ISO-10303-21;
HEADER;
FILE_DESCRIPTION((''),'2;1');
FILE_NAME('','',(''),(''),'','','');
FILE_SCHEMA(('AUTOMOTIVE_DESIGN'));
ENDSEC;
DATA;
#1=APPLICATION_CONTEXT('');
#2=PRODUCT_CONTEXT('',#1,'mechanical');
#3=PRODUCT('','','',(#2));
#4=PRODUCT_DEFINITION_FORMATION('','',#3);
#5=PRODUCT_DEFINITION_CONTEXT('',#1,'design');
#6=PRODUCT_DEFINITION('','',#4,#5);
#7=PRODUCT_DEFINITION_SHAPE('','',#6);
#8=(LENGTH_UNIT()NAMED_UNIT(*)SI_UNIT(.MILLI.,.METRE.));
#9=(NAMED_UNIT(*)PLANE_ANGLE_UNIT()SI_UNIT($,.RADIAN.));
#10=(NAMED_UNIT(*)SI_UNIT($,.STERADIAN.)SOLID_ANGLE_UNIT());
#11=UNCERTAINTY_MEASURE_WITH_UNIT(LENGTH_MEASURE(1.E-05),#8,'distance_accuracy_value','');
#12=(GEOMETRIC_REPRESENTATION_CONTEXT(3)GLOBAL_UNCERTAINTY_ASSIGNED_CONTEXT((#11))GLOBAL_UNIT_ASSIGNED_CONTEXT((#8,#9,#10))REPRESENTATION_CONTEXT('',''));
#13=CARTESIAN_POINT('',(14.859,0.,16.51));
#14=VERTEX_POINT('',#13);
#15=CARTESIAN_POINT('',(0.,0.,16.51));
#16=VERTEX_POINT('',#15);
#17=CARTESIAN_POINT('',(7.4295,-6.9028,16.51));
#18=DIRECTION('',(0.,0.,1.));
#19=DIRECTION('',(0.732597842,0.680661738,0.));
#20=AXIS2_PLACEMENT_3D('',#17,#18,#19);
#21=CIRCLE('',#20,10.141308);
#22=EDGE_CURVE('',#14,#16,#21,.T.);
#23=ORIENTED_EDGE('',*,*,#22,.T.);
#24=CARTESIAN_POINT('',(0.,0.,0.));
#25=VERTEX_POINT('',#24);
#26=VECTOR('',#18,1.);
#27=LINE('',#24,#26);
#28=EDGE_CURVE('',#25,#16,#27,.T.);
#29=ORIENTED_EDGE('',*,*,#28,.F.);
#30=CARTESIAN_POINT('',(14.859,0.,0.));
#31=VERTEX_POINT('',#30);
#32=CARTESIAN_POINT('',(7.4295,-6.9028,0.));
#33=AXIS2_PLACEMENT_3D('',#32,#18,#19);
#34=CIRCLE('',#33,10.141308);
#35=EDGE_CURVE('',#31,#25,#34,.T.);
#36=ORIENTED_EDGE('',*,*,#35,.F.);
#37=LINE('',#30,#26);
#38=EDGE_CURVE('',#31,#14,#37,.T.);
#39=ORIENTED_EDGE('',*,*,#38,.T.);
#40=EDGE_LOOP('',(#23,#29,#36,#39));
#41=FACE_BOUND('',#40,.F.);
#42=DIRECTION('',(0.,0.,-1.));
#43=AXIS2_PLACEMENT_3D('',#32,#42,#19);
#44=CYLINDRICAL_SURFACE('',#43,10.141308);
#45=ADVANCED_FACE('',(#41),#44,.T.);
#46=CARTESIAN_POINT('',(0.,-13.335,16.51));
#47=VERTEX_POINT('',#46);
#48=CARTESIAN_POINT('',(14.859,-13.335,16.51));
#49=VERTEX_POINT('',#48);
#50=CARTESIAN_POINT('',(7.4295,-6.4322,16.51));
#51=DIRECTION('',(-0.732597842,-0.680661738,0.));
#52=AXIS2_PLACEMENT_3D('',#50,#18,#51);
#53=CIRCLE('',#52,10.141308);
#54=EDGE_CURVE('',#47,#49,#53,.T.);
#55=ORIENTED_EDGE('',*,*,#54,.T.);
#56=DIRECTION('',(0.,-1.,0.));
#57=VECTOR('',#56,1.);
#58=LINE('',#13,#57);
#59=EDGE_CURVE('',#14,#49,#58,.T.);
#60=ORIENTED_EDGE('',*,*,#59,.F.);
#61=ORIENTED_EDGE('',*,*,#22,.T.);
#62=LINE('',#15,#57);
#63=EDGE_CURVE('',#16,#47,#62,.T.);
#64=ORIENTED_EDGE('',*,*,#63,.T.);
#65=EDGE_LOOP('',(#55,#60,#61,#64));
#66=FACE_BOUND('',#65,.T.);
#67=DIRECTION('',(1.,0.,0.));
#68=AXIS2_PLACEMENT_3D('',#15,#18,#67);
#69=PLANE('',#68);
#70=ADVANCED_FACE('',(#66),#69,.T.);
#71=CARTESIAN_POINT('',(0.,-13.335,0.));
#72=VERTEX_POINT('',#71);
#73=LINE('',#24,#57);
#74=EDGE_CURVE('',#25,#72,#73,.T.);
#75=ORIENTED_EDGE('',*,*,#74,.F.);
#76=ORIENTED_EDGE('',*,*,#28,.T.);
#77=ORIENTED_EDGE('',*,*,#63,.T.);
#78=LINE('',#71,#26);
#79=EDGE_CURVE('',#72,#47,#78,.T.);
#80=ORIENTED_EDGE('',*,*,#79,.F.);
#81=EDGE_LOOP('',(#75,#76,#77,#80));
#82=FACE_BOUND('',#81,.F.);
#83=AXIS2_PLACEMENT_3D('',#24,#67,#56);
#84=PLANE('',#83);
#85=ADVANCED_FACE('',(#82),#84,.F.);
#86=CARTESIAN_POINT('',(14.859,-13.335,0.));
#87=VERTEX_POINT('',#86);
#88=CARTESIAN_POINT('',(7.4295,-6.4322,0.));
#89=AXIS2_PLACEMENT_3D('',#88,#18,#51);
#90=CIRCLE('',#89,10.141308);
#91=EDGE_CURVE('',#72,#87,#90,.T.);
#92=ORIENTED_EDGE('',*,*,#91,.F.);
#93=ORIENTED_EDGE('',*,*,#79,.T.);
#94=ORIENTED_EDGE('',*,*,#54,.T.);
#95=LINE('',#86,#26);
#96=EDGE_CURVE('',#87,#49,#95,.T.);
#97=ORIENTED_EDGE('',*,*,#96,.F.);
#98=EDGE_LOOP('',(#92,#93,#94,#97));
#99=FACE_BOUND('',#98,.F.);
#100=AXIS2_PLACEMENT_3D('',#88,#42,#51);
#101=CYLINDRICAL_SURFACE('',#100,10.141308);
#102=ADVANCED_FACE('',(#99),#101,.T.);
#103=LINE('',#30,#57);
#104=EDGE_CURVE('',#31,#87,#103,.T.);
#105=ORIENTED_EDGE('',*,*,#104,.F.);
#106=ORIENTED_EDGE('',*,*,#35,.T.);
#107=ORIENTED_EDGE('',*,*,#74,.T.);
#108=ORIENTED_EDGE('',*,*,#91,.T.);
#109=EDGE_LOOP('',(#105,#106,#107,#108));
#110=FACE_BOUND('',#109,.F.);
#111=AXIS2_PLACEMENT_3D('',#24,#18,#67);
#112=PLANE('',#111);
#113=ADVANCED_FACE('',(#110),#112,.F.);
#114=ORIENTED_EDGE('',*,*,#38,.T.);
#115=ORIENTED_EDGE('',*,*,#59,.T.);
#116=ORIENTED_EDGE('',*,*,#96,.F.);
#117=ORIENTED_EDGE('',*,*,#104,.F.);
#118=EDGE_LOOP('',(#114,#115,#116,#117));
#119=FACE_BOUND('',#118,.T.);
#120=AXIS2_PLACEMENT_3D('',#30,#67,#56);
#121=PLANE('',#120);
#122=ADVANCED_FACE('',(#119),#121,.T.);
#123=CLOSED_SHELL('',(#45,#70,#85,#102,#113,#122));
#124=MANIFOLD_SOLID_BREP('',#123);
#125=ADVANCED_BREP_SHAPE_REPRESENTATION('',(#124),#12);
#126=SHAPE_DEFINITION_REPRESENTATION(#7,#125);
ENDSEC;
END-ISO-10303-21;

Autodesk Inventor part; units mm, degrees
ref_plane "YZ Plane" through (0, 0, 0) normal (1, 0, 0) x (0, 1, 0)
ref_plane "XZ Plane" through (0, 0, 0) normal (0, 1, 0) x (-1, 0, 0)
ref_plane "XY Plane" through (0, 0, 0) normal (0, 0, 1) x (1, 0, 0)
sketch "Sketch1" plane through (0, 0, 0) normal (0, 0, 1) x (1, 0, 0)
  line L0 (0, 0) -> (0, -13.335)
  line L1 (14.859, 0) -> (14.859, -13.335)
  arc A0 (14.859, 0) -> (0, 0) centre (7.4295, -6.9028) ccw
  arc A1 (0, -13.335) -> (14.859, -13.335) centre (7.4295, -6.4322) ccw
  point P0 (7.4295, 3.2385)
  point P1 (7.4295, -16.5735)
  dimension "d0" = 14.859
  dimension "d1" = 13.335
  dimension "d2" = 3.2385
  dimension "d3" = 7.4295
  dimension "d4" = 3.2385
extrude "Extrusion1" add sketch "Sketch1" along normal blind 16.51
properties part number "Motor" material "Stainless Steel"
